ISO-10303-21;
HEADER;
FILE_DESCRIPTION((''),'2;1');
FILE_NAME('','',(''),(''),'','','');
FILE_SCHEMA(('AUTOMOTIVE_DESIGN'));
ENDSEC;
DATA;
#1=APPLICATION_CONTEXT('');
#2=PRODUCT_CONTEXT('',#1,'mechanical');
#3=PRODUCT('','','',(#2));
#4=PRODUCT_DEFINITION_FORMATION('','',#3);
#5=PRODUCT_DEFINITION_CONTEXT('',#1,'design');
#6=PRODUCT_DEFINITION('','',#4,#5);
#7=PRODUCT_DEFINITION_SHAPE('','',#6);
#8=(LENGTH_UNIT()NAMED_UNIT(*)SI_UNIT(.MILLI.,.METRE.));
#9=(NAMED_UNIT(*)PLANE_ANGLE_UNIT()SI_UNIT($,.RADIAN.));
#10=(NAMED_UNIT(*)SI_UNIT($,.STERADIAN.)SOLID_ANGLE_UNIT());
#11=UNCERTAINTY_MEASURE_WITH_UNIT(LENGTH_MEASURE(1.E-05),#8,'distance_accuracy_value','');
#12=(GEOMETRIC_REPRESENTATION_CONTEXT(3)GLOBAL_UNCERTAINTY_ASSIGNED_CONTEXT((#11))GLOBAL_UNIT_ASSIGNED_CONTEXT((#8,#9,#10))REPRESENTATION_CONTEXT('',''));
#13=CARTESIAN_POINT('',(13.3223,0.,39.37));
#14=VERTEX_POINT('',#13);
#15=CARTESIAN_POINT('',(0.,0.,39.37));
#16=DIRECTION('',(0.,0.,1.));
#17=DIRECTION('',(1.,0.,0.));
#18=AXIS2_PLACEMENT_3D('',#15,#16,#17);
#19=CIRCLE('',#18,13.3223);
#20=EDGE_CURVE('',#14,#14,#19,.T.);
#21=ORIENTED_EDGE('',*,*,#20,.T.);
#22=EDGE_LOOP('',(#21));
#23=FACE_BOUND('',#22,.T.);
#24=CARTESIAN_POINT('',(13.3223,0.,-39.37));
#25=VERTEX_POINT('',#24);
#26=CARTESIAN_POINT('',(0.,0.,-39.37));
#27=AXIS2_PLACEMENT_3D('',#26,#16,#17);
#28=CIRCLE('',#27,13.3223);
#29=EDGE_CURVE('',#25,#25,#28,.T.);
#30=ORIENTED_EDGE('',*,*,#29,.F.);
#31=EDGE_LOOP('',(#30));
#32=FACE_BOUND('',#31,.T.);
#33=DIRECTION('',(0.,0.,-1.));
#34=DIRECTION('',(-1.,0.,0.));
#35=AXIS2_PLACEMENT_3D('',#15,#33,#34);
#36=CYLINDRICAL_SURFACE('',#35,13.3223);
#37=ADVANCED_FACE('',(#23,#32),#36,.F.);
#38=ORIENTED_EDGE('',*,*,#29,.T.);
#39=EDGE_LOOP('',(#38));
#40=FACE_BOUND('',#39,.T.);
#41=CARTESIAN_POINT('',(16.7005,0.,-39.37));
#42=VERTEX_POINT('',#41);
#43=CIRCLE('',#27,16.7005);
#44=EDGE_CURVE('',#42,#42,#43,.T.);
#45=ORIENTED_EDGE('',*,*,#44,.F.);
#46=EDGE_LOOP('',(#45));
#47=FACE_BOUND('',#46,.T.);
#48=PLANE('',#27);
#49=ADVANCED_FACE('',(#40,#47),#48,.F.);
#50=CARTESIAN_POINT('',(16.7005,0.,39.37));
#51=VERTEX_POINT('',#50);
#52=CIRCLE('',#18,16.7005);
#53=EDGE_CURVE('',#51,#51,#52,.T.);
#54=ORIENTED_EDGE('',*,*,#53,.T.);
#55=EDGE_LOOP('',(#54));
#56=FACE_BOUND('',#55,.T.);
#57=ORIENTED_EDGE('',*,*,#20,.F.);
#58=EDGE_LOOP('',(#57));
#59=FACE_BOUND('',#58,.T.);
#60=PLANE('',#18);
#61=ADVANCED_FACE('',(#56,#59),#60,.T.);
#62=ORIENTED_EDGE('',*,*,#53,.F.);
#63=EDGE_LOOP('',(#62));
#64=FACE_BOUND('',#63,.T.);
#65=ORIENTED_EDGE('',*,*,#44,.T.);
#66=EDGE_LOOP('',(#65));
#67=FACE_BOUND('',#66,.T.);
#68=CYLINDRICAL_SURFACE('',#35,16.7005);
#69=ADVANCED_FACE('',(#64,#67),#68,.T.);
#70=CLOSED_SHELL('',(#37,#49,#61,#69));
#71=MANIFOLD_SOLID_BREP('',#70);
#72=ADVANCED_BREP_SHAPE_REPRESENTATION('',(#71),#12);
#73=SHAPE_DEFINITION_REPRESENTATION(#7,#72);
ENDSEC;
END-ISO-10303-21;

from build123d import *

# Parameters (mm, degrees)
SKETCH1_R           = 16.7005
SKETCH1_R_2         = 13.3223
EXTRUDE_THIN1_DEPTH = 39.37


with BuildPart() as part:
    # Sketch1 → Extrude-Thin1 (new, symmetric)
    with BuildSketch(Plane.XY):
        Circle(SKETCH1_R)
        Circle(SKETCH1_R_2, mode=Mode.SUBTRACT)
    extrude(amount=EXTRUDE_THIN1_DEPTH, both=True)


solid = part.part
